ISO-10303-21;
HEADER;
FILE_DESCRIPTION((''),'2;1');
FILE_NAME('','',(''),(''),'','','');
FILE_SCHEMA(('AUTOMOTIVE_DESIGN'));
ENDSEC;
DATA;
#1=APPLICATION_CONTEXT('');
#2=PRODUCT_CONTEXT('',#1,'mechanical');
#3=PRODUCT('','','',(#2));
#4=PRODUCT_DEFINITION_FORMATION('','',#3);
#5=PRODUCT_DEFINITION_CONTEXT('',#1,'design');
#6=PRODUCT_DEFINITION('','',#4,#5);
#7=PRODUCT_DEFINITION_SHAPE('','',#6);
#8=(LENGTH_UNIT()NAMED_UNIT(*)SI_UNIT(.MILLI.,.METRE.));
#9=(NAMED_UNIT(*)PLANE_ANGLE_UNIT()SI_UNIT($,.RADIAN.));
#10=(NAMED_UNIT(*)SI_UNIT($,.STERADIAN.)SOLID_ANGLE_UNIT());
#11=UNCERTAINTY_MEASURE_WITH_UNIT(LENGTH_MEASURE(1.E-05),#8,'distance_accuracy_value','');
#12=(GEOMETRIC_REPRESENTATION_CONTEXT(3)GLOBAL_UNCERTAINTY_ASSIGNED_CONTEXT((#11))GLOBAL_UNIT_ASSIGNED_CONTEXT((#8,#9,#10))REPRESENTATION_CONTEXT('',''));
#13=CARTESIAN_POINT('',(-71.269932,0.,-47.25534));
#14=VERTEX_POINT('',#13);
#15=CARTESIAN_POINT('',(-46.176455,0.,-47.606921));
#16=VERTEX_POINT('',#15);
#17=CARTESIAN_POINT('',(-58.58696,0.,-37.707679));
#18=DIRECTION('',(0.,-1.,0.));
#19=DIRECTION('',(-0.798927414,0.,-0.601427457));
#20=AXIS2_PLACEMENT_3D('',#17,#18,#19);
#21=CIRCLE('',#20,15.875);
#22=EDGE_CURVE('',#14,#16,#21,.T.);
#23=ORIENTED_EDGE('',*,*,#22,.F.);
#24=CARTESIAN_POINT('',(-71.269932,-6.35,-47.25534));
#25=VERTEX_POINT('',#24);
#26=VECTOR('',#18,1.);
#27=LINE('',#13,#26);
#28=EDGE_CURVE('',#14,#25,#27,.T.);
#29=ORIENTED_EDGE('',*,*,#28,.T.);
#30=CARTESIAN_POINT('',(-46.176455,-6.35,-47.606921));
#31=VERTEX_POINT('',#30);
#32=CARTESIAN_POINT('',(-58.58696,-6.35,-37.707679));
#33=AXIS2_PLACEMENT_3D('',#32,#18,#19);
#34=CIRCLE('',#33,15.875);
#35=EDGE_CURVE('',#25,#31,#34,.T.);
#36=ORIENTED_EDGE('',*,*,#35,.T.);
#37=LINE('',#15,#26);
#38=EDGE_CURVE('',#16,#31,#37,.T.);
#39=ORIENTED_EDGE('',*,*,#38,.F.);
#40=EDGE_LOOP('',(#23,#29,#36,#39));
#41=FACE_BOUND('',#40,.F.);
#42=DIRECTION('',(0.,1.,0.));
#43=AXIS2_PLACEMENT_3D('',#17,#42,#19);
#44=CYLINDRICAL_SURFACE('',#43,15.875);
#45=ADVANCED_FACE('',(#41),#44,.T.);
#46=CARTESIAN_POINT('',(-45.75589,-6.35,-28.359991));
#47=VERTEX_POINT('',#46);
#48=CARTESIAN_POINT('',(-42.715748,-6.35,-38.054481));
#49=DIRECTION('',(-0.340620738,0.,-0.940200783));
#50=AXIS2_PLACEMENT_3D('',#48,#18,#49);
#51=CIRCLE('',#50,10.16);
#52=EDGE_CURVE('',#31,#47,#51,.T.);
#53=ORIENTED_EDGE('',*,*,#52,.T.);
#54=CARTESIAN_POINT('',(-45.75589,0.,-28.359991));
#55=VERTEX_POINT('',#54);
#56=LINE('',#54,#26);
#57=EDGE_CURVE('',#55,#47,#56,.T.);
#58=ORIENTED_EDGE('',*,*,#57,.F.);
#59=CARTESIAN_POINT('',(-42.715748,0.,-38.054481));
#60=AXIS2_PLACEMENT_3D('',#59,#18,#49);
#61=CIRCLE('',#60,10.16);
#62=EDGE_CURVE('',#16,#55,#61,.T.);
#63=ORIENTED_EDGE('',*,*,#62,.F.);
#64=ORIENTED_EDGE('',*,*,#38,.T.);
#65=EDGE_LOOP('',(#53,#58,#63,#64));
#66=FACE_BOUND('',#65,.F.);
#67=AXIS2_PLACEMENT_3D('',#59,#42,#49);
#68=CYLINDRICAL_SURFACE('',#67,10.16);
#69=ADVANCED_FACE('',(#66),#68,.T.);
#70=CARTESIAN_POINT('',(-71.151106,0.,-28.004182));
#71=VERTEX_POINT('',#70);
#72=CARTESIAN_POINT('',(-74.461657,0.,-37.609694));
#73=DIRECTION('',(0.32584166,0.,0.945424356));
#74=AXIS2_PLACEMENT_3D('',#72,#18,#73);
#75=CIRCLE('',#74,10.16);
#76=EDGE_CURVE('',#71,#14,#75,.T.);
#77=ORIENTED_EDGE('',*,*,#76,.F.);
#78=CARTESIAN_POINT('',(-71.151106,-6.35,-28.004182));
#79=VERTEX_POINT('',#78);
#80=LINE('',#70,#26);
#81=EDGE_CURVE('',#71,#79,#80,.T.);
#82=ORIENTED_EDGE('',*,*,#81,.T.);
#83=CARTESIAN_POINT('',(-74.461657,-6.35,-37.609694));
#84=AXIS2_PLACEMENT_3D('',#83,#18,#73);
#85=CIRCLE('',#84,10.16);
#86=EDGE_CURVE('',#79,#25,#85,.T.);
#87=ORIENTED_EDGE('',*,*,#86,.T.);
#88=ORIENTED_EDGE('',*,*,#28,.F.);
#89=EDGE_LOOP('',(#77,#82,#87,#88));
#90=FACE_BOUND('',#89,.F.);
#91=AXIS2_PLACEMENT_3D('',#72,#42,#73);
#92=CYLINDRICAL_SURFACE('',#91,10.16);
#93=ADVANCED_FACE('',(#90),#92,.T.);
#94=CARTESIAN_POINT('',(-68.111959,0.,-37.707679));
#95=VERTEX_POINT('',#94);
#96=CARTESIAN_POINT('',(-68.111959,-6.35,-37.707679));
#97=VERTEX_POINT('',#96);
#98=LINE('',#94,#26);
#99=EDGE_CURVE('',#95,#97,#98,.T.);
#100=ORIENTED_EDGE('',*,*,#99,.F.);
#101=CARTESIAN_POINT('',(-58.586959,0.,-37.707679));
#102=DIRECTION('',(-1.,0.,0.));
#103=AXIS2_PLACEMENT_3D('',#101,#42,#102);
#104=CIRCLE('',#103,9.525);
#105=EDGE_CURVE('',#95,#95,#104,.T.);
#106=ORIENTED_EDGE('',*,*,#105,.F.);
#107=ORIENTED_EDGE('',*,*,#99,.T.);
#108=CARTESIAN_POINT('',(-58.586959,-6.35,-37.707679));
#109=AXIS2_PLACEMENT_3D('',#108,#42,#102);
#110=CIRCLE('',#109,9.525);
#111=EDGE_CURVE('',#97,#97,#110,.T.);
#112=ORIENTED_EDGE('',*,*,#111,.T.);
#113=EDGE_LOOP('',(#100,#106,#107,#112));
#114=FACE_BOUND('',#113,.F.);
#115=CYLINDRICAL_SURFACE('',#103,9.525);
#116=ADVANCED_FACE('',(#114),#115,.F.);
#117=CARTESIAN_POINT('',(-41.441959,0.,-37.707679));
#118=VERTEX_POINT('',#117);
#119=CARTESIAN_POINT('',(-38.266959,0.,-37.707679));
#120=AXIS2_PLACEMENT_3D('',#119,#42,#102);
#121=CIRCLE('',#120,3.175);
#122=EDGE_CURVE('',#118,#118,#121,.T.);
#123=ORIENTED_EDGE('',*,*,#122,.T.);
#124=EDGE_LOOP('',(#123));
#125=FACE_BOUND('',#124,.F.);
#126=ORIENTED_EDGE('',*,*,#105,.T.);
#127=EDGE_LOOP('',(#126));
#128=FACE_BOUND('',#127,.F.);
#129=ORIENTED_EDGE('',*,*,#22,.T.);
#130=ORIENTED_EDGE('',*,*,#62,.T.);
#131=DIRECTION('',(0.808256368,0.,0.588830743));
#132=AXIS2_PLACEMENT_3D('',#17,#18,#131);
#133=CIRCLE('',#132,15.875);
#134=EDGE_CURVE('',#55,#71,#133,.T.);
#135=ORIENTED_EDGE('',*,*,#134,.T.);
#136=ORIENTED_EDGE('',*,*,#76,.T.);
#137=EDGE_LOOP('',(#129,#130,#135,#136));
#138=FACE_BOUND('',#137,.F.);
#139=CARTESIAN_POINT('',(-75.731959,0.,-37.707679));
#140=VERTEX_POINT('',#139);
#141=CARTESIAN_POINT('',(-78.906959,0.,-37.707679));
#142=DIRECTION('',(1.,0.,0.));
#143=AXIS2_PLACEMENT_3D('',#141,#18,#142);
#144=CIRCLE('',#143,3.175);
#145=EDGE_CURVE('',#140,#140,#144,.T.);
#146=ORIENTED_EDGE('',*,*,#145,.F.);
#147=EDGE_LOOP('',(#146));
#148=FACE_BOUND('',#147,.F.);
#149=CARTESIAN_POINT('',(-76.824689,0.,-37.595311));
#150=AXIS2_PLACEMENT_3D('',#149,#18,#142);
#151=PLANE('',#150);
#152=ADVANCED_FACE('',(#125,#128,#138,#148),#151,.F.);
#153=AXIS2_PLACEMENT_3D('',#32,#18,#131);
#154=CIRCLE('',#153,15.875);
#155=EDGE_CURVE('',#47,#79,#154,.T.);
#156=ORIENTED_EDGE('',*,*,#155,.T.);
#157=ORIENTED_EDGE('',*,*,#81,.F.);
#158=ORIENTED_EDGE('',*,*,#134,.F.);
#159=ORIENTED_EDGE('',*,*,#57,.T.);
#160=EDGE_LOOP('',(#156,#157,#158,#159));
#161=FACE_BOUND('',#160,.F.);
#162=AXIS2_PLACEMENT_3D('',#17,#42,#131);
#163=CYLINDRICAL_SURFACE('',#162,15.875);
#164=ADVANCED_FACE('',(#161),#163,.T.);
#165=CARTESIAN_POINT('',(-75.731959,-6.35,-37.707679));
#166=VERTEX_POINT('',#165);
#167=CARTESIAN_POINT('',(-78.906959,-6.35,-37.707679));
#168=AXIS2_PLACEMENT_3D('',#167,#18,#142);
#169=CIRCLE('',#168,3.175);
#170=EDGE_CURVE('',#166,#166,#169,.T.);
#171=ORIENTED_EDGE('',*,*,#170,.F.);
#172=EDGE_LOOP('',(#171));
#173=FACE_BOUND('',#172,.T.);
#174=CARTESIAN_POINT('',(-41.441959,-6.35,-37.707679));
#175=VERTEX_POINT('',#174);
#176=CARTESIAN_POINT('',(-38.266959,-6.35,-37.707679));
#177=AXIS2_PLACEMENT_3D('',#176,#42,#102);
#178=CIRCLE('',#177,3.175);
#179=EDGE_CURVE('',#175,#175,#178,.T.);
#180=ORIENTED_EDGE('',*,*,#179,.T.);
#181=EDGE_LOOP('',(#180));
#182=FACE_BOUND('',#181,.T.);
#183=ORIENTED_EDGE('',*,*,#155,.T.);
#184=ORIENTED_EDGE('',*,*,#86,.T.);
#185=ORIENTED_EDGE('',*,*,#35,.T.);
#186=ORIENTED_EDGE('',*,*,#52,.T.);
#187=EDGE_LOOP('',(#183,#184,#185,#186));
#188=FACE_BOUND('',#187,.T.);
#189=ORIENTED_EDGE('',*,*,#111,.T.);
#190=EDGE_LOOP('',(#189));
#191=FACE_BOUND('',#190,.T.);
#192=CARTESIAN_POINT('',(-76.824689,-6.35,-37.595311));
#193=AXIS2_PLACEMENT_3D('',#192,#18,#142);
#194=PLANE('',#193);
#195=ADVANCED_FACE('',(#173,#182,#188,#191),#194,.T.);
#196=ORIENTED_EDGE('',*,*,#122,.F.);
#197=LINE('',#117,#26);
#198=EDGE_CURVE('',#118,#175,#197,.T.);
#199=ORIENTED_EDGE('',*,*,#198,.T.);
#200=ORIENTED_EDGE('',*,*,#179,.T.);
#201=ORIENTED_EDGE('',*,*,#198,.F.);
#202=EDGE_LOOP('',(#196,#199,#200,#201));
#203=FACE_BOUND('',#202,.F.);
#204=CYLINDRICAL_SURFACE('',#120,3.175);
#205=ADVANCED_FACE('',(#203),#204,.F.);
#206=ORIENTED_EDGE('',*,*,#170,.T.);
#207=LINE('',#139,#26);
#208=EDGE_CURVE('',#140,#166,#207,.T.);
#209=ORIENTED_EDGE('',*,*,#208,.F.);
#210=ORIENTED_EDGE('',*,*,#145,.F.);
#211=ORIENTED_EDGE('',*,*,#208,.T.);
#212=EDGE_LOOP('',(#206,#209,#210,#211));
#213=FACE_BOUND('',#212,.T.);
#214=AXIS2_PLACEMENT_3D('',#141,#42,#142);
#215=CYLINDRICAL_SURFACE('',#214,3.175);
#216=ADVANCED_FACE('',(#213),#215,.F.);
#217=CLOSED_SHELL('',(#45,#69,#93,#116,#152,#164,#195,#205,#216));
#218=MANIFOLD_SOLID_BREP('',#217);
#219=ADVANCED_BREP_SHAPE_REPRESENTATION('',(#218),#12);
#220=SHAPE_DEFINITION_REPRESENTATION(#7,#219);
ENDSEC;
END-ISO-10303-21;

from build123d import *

# Parameters (mm, degrees)
F0_R     = 3.175
F1_DEPTH = 6.35


with BuildPart() as f1:
    # F0 (on Front) → F1 (new body)
    with BuildSketch(Plane.XZ):
        with BuildLine():
            ThreePointArc((-71.269932, -47.25534), (-73.642819, -42.741238), (-74.461959, -37.707679))
            ThreePointArc((-74.461959, -37.707679), (-73.611464, -32.581286), (-71.151106, -28.004182))
            ThreePointArc((-71.151106, -28.004182), (-84.621464, -37.546983), (-71.269932, -47.25534))
        make_face()
        with Locations((-78.906959, -37.707679)):
            Circle(F0_R, mode=Mode.SUBTRACT)
        with BuildLine():
            Line((-42.711959, -37.707679), (-49.061959, -37.707679))
            ThreePointArc((-49.061959, -37.707679), (-58.586959, -47.232679), (-68.111959, -37.707679))
            Line((-68.111959, -37.707679), (-74.461959, -37.707679))
            ThreePointArc((-74.461959, -37.707679), (-73.642819, -42.741238), (-71.269932, -47.25534))
            ThreePointArc((-71.269932, -47.25534), (-58.80936, -53.581121), (-46.176455, -47.606921))
            ThreePointArc((-46.176455, -47.606921), (-43.603095, -42.951669), (-42.711959, -37.707679))
        make_face()
        with BuildLine():
            ThreePointArc((-68.111959, -37.707679), (-58.586959, -28.182679), (-49.061959, -37.707679))
            Line((-49.061959, -37.707679), (-42.711959, -37.707679))
            ThreePointArc((-42.711959, -37.707679), (-43.492112, -32.792275), (-45.75589, -28.359991))
            ThreePointArc((-45.75589, -28.359991), (-58.364559, -21.834237), (-71.151106, -28.004182))
            ThreePointArc((-71.151106, -28.004182), (-73.611464, -32.581286), (-74.461959, -37.707679))
            Line((-74.461959, -37.707679), (-68.111959, -37.707679))
        make_face()
        with BuildLine():
            ThreePointArc((-45.75589, -28.359991), (-43.492112, -32.792275), (-42.711959, -37.707679))
            ThreePointArc((-42.711959, -37.707679), (-43.603095, -42.951669), (-46.176455, -47.606921))
            ThreePointArc((-46.176455, -47.606921), (-32.558173, -38.276434), (-45.75589, -28.359991))
        make_face()
        with BuildLine():
            ThreePointArc((-35.091959, -37.707679), (-38.266959, -40.882679), (-41.441959, -37.707679))
            ThreePointArc((-41.441959, -37.707679), (-38.266959, -34.532679), (-35.091959, -37.707679))
        make_face(mode=Mode.SUBTRACT)
    extrude(amount=F1_DEPTH)


solid = f1.part
